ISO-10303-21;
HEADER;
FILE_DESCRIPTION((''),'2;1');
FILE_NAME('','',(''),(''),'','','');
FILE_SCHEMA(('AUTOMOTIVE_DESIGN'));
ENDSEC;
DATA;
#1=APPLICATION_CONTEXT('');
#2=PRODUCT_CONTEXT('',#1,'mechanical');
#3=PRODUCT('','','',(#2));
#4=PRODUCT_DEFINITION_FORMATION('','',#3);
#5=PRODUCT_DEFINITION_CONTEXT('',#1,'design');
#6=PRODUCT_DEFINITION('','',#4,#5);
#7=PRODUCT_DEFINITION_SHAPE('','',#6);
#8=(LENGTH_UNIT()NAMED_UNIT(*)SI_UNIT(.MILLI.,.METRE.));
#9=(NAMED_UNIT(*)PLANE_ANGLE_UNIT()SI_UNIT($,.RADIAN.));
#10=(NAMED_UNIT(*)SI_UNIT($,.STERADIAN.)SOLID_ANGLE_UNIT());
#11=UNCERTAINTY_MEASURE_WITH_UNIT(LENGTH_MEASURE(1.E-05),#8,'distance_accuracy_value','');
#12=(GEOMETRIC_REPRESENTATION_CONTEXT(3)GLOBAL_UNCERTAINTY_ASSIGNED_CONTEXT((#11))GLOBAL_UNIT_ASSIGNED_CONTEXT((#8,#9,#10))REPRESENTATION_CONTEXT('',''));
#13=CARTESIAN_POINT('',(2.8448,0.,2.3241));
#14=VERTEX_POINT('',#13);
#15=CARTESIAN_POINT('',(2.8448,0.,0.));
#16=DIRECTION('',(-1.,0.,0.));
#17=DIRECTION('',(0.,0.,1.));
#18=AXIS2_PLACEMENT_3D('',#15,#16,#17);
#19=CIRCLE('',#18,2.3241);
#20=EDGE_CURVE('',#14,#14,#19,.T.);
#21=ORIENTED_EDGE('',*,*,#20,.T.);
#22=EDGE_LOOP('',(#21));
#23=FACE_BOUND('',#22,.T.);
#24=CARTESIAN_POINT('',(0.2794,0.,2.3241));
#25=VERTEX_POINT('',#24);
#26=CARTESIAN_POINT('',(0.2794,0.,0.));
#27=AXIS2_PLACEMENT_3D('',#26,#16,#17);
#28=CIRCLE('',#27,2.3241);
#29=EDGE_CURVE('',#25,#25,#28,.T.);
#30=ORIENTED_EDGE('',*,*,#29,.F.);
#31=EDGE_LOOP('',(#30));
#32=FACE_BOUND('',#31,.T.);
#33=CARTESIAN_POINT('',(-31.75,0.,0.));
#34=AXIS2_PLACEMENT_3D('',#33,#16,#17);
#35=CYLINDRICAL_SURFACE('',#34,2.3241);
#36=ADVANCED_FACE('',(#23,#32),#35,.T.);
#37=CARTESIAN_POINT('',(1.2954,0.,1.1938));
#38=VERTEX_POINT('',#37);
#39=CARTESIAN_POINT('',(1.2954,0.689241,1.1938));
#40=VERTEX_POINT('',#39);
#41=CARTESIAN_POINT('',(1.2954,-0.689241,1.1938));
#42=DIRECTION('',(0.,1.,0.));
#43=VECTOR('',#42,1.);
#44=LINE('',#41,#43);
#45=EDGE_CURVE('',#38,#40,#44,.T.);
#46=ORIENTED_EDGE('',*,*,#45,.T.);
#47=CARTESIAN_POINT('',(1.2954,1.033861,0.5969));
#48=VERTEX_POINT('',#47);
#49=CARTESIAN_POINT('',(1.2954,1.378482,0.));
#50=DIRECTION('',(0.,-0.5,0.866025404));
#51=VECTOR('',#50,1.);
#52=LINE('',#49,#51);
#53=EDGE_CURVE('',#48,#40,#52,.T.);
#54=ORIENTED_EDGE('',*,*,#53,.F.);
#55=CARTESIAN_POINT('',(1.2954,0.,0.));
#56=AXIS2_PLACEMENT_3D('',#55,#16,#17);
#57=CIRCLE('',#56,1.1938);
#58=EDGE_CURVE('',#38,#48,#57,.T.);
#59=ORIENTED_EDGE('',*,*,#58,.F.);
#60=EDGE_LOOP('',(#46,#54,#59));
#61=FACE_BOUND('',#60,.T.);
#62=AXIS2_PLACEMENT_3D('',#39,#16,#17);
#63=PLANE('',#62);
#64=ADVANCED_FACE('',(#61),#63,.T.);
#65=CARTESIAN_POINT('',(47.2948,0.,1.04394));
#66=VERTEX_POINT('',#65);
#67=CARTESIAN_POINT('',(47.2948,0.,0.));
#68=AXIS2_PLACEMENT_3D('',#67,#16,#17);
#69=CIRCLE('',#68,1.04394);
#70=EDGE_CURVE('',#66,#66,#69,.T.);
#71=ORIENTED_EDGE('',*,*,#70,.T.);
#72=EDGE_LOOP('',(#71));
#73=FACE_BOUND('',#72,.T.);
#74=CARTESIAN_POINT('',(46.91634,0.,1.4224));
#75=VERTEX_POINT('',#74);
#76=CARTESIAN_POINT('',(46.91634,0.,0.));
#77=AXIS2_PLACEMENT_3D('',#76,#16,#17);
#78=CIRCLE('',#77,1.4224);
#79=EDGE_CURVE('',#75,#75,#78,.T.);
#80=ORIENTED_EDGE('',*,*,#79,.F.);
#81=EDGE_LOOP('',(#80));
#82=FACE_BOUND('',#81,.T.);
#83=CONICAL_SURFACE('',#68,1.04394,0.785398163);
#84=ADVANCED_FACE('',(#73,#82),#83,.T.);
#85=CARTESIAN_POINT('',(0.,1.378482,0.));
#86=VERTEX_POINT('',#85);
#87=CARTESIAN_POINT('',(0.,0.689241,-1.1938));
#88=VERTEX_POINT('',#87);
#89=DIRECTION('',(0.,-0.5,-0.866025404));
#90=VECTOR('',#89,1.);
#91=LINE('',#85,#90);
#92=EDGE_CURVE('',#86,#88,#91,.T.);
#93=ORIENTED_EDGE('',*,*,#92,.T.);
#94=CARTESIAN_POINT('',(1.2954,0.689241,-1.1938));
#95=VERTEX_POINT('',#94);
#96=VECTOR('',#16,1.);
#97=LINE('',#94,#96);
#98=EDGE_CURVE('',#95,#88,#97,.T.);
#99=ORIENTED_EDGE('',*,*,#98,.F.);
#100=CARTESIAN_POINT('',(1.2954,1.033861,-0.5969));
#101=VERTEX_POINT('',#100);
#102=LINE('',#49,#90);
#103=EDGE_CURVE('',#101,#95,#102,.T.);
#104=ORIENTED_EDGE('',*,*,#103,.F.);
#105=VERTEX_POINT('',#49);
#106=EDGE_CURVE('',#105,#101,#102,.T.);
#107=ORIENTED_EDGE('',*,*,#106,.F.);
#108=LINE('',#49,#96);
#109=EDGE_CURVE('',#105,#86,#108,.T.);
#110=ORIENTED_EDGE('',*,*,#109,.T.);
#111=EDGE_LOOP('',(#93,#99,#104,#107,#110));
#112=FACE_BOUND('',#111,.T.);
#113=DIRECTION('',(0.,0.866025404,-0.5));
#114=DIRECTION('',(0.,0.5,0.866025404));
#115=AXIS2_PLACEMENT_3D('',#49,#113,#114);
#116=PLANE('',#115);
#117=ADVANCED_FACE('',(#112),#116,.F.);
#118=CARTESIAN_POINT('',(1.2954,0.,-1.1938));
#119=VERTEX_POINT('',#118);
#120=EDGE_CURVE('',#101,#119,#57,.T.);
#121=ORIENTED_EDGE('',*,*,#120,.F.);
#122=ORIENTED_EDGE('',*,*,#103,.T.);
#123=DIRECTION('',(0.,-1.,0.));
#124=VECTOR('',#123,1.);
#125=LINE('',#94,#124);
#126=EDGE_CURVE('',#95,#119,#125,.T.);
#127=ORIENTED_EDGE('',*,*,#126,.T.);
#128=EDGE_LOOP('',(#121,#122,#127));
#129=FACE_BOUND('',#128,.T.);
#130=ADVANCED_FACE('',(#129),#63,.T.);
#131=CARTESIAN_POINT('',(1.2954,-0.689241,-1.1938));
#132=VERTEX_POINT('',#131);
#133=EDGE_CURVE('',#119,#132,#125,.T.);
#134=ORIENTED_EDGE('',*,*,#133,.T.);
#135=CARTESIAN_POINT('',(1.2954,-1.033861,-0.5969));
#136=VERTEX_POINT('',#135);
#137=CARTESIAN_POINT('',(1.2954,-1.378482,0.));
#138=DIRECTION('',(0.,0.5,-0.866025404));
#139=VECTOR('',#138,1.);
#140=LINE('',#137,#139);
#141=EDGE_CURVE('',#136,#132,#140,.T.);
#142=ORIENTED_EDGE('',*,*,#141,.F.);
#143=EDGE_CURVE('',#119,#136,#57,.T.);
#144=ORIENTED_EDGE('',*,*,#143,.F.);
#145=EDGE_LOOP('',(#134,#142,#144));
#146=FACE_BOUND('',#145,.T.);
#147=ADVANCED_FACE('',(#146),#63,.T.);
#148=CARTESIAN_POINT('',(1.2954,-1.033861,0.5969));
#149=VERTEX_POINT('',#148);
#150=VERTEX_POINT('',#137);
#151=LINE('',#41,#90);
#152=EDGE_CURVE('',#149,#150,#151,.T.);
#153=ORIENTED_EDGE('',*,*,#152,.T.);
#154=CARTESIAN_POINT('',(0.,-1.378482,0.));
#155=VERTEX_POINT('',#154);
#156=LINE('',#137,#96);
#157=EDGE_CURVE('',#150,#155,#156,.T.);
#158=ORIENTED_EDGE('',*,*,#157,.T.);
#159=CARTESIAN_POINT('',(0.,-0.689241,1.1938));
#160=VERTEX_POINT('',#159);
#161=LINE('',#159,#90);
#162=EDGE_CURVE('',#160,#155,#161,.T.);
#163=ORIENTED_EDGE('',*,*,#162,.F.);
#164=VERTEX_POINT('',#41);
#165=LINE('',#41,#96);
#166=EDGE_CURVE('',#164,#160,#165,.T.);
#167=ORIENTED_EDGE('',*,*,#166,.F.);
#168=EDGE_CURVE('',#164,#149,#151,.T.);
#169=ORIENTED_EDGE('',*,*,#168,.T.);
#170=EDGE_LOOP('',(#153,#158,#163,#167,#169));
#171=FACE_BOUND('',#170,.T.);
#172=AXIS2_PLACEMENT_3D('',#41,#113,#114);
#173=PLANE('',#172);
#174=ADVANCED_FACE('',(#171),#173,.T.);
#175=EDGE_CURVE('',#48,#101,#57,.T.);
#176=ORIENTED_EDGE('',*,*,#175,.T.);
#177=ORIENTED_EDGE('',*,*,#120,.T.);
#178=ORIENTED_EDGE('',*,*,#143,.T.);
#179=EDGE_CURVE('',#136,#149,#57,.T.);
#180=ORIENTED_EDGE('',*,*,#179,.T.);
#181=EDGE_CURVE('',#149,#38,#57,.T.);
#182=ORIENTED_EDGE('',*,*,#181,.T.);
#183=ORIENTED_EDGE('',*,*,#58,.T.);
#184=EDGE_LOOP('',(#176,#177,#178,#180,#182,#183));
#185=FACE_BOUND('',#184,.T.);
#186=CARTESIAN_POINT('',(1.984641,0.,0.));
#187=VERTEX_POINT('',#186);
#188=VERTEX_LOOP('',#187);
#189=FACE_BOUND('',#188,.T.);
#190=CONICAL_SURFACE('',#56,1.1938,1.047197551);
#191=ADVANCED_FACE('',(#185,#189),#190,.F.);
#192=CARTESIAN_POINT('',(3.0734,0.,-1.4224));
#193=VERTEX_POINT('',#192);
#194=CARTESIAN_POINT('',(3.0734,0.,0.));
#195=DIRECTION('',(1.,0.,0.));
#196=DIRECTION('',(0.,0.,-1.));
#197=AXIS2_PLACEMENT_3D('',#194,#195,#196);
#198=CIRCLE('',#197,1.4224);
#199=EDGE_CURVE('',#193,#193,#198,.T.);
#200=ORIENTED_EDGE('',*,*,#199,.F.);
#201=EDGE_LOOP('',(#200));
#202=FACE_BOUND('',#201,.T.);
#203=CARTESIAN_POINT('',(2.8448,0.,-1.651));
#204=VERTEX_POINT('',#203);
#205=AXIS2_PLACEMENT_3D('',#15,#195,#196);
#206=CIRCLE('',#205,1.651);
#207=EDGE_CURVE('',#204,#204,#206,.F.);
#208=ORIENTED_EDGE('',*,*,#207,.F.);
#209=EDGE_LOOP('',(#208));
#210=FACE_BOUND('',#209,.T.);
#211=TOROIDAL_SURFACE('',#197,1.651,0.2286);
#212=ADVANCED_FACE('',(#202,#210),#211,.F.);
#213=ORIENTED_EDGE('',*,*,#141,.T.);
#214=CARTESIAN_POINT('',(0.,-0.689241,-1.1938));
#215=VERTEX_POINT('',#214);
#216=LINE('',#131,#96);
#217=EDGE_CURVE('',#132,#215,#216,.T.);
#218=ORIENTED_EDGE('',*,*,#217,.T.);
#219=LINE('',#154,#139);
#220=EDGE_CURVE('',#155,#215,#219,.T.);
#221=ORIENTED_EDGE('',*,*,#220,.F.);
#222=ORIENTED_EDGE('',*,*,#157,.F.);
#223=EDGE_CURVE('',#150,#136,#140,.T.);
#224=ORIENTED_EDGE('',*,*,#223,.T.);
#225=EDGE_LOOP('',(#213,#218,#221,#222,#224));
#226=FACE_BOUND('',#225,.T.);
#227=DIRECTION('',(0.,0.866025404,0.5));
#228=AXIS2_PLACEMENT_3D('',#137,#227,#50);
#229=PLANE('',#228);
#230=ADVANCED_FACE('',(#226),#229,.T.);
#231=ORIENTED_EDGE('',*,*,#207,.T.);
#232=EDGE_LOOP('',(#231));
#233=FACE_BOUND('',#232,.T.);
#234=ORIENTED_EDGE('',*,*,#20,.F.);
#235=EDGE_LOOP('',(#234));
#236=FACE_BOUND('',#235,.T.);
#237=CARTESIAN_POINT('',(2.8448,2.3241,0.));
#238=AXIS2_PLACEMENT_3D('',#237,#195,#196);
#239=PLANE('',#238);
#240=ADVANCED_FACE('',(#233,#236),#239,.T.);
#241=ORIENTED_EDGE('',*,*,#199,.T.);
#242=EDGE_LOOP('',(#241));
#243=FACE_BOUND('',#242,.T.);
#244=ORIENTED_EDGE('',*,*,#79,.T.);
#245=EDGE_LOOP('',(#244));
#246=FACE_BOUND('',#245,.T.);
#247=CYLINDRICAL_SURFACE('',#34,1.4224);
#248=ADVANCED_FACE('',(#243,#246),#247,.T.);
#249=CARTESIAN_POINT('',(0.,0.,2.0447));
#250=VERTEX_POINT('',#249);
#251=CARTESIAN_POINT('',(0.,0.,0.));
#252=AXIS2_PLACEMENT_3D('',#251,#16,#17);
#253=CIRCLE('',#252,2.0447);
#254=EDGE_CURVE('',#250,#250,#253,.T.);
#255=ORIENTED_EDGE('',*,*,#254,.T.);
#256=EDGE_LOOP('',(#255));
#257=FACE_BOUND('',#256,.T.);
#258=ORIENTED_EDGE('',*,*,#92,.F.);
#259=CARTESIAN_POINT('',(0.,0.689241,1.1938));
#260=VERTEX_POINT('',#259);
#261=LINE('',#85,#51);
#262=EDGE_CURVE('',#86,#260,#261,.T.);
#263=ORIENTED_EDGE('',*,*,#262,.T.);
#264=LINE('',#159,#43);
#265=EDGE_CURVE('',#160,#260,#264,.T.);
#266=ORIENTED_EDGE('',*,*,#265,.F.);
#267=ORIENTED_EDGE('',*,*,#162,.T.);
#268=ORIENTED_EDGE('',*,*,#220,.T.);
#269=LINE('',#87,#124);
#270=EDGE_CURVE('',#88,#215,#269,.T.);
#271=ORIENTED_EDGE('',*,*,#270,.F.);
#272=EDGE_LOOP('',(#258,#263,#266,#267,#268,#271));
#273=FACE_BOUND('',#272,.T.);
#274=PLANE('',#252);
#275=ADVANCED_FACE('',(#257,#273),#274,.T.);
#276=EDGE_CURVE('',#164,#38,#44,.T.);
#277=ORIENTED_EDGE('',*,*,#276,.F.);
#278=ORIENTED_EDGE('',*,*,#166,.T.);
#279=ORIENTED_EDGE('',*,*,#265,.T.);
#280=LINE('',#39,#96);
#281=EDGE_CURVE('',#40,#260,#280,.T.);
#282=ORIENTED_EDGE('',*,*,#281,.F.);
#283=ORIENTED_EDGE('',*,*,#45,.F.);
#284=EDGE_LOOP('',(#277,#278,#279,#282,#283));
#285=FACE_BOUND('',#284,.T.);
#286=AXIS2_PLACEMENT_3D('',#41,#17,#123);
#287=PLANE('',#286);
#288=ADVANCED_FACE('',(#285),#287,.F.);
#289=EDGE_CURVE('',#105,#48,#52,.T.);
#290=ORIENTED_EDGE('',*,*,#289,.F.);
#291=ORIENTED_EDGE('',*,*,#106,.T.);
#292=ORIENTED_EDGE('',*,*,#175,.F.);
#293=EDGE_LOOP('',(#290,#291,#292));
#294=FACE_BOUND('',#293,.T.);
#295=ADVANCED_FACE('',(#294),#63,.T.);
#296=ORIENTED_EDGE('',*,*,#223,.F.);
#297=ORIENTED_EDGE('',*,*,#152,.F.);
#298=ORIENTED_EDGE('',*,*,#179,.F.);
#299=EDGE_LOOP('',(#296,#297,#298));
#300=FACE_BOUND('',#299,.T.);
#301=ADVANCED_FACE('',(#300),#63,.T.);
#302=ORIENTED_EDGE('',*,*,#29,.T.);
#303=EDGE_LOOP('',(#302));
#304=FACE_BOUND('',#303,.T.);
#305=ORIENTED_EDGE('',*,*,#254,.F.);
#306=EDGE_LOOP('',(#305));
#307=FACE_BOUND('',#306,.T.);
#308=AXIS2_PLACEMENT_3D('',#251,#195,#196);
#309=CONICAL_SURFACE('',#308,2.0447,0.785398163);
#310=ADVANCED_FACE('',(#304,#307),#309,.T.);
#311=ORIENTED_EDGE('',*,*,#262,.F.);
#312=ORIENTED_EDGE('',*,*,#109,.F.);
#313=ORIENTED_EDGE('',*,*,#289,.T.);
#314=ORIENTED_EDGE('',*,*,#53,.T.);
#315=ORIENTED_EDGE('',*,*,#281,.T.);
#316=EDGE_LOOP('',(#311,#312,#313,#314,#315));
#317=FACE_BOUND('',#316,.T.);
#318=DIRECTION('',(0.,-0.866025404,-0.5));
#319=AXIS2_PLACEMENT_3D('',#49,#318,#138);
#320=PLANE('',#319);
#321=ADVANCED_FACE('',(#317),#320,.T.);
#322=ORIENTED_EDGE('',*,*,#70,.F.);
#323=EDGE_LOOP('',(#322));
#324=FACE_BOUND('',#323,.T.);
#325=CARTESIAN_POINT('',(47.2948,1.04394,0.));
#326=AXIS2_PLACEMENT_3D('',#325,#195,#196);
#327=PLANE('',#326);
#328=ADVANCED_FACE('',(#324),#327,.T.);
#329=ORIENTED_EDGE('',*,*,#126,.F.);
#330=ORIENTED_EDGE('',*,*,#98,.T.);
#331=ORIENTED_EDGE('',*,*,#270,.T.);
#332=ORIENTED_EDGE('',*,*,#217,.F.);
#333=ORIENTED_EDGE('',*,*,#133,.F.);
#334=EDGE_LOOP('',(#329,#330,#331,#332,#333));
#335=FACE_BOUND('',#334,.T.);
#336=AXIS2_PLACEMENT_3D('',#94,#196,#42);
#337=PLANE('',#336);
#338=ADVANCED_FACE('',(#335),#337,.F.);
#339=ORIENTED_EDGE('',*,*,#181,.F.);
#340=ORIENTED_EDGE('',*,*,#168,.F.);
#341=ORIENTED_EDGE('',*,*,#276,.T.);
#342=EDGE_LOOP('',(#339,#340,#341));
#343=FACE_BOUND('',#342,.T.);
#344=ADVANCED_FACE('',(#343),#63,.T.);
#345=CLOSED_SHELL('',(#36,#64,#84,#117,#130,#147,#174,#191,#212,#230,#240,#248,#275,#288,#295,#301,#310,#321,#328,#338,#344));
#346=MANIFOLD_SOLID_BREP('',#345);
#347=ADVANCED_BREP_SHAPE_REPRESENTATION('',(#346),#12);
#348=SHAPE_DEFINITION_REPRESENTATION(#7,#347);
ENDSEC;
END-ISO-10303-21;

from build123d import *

# Parameters (mm, degrees)
FILLET1_R   = 0.2286
HEX_2_DEPTH = 1.2954


with BuildPart() as part:
    # BodySke → Base-Revolve (revolve)
    with BuildSketch(Plane.XY):
        Polygon((0, 0), (0, 2.0447), (0.2794, 2.3241), (2.8448, 2.3241), (2.8448, 1.4224), (46.91634, 1.4224), (47.2948, 1.04394), (47.2948, 0), align=None)
    revolve(axis=Axis((-31.75, 0, 0), (1, 0, 0)))

    # Fillet1
    fillet1_edges = [part.edges().sort_by_distance(p)[0] for p in [
        (2.8448, -1.4224, 0),
    ]]
    fillet(fillet1_edges, radius=FILLET1_R)

    # Sketch2 → Hex-PreBroach (revolve, cut)
    with BuildSketch(Plane.XY):
        Polygon((0, 1.1938), (1.2954, 1.1938), (1.984640751, 0), (0, 0), align=None)
    revolve(axis=Axis((0, 0, 0), (1, 0, 0)), mode=Mode.SUBTRACT)

    # Sketch3 → Hex 2 (cut)
    with BuildSketch(Plane(origin=(0, 0, 0), x_dir=(0, 0.5, 0.866025404), z_dir=(-1, 0, 0))):
        Polygon((0.689240751, 1.1938), (-0.689240751, 1.1938), (-1.378481503, 0), (-0.689240751, -1.1938), (0.689240751, -1.1938), (1.378481503, 0), align=None)
    extrude(amount=-HEX_2_DEPTH, mode=Mode.SUBTRACT)


solid = part.part
